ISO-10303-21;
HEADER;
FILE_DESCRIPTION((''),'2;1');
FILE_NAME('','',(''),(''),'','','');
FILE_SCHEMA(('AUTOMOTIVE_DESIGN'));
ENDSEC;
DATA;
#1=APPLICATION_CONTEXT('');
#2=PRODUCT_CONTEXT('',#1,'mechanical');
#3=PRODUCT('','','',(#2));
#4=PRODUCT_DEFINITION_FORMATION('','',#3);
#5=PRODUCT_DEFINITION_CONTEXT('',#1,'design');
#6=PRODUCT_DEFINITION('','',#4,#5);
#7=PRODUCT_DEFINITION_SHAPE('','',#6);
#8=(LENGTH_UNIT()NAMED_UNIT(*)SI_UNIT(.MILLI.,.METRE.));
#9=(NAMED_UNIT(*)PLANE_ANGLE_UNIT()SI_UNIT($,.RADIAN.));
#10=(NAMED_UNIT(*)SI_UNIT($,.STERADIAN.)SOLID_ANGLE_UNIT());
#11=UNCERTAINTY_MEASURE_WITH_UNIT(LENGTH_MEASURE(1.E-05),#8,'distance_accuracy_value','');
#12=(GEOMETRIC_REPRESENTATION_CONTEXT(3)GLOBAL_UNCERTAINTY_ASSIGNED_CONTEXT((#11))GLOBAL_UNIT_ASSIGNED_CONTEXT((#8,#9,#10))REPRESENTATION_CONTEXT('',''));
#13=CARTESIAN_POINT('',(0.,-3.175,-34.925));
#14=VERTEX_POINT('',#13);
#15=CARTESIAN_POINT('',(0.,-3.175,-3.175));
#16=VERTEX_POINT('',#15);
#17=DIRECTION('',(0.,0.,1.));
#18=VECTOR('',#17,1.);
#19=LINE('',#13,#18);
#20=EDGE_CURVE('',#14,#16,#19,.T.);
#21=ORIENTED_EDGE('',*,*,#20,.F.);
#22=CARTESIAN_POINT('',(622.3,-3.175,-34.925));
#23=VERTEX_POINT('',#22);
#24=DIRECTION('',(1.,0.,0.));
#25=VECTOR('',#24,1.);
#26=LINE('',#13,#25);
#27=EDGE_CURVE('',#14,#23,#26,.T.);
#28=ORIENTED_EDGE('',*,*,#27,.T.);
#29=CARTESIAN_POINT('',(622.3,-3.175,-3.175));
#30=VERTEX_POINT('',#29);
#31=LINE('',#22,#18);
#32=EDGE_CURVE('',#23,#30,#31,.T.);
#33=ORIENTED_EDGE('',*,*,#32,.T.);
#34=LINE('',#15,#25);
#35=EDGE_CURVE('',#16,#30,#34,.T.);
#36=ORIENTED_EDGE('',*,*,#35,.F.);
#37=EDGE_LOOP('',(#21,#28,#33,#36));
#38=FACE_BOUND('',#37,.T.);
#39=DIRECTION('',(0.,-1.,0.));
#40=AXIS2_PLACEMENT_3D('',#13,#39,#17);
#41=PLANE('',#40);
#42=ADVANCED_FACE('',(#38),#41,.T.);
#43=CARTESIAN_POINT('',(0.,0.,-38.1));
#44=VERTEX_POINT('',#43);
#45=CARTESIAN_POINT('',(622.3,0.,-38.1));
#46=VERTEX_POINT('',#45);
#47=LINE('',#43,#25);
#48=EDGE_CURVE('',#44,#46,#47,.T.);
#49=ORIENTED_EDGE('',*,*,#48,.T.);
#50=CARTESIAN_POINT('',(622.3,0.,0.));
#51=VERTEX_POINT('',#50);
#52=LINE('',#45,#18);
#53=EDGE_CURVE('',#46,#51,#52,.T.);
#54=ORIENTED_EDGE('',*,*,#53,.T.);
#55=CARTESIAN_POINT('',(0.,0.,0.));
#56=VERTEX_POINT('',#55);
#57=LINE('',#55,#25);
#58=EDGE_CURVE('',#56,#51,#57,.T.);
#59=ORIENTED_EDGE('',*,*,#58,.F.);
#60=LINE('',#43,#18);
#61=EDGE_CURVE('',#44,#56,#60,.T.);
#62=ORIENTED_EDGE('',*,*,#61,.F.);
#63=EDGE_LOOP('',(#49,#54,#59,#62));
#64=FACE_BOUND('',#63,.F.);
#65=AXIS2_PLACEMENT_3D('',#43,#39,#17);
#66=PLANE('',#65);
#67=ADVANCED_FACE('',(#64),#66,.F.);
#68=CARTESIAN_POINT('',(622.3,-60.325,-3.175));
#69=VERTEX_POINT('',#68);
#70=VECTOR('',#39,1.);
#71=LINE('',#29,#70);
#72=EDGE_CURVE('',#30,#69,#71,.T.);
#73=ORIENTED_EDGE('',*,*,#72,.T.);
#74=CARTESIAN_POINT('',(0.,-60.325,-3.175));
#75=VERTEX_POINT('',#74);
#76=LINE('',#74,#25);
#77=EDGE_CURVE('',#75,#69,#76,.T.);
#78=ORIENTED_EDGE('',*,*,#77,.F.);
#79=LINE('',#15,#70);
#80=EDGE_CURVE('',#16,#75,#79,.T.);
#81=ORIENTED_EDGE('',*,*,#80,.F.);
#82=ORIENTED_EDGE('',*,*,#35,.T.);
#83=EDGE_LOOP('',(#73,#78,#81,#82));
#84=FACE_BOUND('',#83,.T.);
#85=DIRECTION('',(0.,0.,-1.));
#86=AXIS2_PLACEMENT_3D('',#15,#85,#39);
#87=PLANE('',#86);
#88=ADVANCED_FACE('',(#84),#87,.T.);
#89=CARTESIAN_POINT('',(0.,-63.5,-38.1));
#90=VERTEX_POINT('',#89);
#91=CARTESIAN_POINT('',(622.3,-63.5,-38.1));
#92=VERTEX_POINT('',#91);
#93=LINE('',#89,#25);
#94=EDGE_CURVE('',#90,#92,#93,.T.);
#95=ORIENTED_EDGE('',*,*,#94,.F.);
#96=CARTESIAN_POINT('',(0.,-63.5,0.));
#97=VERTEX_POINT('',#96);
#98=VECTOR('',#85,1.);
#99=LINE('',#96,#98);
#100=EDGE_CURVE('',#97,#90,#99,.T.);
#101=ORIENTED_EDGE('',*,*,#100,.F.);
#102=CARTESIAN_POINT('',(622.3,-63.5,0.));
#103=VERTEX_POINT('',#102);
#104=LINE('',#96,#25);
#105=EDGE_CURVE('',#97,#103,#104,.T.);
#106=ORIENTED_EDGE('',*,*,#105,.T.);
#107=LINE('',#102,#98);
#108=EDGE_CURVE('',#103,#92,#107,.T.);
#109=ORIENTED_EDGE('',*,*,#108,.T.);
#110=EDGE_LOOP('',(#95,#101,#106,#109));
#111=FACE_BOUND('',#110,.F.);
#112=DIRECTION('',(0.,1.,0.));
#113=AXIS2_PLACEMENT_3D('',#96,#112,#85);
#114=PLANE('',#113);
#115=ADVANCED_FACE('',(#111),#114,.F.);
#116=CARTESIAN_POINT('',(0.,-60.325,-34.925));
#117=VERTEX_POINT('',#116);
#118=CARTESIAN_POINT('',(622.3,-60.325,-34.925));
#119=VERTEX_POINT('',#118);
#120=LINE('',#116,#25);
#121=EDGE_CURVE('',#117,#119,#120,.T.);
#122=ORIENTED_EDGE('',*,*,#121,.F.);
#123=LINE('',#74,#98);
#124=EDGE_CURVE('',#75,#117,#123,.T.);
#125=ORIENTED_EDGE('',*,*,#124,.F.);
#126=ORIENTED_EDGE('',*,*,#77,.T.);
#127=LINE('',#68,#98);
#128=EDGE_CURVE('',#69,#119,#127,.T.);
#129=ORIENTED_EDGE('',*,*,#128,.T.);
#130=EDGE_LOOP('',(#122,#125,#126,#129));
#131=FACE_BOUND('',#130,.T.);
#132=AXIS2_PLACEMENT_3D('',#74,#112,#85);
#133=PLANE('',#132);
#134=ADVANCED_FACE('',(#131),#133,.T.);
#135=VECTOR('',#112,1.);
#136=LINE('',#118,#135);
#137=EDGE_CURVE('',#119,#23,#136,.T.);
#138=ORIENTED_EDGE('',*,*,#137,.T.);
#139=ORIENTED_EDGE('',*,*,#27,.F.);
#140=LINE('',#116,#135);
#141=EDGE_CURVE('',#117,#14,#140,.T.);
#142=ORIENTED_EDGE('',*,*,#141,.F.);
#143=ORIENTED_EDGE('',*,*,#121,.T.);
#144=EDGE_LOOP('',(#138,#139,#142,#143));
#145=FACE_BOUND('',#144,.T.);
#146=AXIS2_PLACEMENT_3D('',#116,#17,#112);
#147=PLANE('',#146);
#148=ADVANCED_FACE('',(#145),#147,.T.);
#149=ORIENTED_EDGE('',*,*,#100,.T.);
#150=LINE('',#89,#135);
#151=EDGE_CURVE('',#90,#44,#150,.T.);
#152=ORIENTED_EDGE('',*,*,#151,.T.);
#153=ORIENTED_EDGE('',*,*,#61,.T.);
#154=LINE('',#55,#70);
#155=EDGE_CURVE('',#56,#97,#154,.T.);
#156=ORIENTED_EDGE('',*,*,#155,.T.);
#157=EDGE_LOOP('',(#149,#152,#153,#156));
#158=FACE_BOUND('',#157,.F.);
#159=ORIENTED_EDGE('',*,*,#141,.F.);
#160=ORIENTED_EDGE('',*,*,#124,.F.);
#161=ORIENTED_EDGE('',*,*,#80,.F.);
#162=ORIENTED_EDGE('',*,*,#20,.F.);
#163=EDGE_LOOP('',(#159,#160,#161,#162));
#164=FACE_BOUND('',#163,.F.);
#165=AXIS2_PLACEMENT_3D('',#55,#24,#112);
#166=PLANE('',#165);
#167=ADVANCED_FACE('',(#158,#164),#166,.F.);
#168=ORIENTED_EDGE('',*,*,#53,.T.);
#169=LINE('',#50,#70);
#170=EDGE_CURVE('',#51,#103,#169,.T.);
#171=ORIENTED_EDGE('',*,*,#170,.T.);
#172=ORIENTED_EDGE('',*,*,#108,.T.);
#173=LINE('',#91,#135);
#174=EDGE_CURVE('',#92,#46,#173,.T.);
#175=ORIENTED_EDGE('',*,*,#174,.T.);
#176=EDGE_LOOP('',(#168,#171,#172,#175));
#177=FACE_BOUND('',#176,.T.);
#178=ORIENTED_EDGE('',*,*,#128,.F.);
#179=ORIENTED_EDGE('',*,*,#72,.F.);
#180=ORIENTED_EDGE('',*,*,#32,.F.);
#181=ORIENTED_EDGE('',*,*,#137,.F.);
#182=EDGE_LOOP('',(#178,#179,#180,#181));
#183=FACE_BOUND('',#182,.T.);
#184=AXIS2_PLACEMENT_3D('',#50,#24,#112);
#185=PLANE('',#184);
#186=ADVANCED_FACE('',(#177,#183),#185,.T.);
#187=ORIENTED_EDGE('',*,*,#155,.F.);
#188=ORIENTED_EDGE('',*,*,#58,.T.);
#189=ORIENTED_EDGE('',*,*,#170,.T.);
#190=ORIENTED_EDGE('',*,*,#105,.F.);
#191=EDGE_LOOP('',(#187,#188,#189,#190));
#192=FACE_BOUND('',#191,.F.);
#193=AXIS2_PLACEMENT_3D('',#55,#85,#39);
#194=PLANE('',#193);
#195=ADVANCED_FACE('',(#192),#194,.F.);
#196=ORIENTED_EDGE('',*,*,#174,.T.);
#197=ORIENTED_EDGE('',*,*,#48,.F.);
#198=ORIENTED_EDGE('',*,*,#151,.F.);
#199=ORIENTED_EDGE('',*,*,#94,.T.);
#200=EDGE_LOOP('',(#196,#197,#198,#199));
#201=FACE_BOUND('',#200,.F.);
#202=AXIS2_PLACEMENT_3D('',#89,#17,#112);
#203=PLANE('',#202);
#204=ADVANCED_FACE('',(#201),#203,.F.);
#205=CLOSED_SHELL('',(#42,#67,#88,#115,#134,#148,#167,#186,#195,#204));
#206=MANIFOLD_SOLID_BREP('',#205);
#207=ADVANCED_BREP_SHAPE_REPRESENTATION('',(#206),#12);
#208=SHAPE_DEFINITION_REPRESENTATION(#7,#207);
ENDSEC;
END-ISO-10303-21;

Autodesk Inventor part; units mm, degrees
ref_plane "YZ Plane" through (0, 0, 0) normal (1, 0, 0) x (0, 1, 0)
ref_plane "XZ Plane" through (0, 0, 0) normal (0, 1, 0) x (-1, 0, 0)
ref_plane "XY Plane" through (0, 0, 0) normal (0, 0, 1) x (1, 0, 0)
sketch "Sketch1" plane through (0, 0, 0) normal (1, 0, 0) x (0, 1, 0)
  line L0 (0, 0) -> (-63.5, 0)
  line L1 (-63.5, 0) -> (-63.5, -38.1)
  line L2 (-63.5, -38.1) -> (0, -38.1)
  line L3 (0, -38.1) -> (0, 0)
  line L4 (-3.175, -3.175) -> (-60.325, -3.175)
  line L5 (-60.325, -3.175) -> (-60.325, -34.925)
  line L6 (-60.325, -34.925) -> (-3.175, -34.925)
  line L7 (-3.175, -34.925) -> (-3.175, -3.175)
  dimension "d0" = 63.5
  dimension "d1" = 38.1
  dimension "d2" = 3.175
extrude "Extrusion1" add sketch "Sketch1" along normal blind 622.3
properties part number "suport for a piston"
